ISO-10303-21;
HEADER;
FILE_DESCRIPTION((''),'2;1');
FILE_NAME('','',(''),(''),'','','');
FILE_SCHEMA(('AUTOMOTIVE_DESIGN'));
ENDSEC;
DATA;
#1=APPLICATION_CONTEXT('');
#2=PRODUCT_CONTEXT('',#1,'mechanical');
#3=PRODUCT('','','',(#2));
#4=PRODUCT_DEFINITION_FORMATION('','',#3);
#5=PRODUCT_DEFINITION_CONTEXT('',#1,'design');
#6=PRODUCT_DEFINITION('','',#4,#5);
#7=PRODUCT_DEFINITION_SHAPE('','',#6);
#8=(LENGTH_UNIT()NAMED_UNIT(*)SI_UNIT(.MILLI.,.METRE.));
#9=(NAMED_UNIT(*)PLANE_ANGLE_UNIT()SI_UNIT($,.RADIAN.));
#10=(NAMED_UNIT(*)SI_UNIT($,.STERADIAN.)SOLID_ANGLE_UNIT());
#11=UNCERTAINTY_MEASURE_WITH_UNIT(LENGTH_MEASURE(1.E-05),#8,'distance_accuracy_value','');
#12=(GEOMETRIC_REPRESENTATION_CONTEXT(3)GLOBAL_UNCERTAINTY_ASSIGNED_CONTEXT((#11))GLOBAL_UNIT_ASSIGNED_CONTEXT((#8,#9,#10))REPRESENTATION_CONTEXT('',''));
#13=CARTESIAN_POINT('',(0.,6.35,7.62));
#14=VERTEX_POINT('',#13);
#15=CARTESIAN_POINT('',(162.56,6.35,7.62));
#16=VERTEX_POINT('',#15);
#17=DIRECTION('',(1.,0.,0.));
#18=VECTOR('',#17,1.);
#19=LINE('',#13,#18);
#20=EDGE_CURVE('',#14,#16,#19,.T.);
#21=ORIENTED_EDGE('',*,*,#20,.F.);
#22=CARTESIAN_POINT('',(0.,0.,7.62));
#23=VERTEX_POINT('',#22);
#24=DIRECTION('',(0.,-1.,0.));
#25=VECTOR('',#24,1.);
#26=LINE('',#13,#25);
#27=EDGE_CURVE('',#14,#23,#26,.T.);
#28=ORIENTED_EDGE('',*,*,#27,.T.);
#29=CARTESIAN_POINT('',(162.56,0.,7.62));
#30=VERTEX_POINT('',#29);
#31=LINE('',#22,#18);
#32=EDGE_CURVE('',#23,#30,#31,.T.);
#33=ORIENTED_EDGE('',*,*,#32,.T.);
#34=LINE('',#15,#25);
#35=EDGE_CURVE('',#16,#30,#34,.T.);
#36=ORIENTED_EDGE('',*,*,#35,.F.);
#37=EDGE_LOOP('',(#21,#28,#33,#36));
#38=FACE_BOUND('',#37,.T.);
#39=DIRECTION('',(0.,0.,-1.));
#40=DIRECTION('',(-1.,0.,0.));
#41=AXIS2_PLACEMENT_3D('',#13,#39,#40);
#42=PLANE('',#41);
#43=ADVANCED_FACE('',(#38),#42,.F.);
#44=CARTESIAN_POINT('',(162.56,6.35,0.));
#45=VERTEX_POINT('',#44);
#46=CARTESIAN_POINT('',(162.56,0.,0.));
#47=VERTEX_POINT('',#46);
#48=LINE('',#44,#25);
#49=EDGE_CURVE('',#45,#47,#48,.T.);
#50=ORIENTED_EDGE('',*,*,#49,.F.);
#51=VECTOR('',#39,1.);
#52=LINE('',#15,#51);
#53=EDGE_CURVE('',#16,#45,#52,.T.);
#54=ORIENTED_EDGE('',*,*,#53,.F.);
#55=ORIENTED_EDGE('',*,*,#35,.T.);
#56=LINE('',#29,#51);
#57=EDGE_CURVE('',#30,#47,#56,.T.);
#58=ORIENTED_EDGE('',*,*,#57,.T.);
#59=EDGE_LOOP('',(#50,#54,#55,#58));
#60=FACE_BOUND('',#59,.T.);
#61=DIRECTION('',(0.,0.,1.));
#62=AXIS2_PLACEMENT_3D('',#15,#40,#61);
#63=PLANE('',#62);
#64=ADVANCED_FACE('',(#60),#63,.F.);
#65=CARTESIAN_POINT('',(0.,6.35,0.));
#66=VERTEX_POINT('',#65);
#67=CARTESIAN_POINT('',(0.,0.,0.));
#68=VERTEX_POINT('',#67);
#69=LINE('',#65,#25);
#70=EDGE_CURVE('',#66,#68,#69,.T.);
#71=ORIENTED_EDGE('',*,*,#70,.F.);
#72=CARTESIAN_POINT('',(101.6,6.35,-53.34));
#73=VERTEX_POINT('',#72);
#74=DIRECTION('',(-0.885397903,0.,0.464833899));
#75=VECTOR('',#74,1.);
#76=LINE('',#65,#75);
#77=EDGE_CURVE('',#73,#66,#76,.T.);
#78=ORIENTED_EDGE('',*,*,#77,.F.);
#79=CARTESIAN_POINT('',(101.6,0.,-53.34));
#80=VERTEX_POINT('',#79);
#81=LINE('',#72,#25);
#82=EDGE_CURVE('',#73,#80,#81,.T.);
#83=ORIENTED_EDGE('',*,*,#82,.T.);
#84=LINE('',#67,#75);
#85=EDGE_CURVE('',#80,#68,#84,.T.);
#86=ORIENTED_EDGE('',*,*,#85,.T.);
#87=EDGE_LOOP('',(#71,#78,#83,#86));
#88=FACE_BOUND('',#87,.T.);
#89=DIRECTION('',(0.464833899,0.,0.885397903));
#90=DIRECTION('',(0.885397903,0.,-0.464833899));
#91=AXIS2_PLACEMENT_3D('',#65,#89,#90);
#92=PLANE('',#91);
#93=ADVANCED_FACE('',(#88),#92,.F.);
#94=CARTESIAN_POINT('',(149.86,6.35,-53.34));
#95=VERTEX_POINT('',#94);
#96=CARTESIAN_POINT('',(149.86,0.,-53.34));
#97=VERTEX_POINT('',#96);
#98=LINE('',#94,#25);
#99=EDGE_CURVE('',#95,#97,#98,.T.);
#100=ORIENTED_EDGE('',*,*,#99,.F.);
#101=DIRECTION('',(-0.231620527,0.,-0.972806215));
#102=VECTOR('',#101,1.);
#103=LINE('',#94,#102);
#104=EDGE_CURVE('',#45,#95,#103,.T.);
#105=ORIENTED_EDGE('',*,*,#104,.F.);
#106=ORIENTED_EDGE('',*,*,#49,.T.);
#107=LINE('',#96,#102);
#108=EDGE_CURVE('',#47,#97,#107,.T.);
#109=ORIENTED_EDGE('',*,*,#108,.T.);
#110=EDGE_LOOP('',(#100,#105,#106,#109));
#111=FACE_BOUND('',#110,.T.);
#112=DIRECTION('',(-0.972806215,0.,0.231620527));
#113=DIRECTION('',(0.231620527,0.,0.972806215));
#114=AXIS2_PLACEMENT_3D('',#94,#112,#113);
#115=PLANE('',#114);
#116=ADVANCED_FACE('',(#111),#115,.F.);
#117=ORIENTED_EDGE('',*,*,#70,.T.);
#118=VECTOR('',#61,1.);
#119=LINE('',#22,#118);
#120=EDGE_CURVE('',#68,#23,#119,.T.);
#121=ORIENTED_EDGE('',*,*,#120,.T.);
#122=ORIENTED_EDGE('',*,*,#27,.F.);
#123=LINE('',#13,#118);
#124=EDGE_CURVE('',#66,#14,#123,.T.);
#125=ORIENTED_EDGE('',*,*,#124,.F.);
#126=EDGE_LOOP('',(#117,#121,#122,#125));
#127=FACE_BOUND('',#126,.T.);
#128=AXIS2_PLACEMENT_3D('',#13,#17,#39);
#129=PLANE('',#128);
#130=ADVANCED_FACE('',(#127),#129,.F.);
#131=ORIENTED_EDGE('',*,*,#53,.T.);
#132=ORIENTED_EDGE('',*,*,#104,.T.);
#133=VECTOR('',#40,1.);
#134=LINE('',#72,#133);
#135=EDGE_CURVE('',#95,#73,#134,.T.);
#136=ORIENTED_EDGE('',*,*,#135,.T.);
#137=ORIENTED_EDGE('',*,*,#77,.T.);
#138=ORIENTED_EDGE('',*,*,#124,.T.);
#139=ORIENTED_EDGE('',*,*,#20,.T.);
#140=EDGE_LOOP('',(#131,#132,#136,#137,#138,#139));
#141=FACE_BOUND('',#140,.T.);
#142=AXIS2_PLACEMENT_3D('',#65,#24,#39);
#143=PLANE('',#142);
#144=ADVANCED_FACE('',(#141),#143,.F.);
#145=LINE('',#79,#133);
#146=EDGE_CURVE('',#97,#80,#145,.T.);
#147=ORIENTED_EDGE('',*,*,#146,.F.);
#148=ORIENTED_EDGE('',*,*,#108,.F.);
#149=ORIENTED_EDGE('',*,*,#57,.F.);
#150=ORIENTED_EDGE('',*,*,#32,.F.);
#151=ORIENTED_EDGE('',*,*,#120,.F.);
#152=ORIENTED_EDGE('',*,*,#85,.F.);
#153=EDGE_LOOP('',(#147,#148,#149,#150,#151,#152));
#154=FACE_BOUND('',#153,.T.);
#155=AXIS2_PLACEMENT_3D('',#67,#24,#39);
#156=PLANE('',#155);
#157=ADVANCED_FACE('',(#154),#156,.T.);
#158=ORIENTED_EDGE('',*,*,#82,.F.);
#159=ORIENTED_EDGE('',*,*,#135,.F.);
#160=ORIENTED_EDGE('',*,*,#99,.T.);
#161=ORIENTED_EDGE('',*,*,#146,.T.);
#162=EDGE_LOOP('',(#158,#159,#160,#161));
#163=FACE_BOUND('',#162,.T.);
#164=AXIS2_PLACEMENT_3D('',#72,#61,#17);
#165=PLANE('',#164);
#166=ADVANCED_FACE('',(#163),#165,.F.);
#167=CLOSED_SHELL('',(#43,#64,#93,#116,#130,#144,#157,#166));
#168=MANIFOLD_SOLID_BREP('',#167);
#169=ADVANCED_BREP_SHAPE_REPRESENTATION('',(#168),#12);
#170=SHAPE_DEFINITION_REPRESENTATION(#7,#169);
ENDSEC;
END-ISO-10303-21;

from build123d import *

# Parameters (mm, degrees)
BOSS_EXTRUDE1_DEPTH = 6.35


with BuildPart() as part:
    # Sketch1 → Boss-Extrude1 (new body)
    with BuildSketch(Plane(origin=(0, 0, 0), x_dir=(1, 0, 0), z_dir=(0, 1, 0))):
        Polygon((0, 0), (101.6, 53.34), (149.86, 53.34), (162.56, 0), (162.56, -7.62), (0, -7.62), align=None)
    extrude(amount=BOSS_EXTRUDE1_DEPTH)


solid = part.part
